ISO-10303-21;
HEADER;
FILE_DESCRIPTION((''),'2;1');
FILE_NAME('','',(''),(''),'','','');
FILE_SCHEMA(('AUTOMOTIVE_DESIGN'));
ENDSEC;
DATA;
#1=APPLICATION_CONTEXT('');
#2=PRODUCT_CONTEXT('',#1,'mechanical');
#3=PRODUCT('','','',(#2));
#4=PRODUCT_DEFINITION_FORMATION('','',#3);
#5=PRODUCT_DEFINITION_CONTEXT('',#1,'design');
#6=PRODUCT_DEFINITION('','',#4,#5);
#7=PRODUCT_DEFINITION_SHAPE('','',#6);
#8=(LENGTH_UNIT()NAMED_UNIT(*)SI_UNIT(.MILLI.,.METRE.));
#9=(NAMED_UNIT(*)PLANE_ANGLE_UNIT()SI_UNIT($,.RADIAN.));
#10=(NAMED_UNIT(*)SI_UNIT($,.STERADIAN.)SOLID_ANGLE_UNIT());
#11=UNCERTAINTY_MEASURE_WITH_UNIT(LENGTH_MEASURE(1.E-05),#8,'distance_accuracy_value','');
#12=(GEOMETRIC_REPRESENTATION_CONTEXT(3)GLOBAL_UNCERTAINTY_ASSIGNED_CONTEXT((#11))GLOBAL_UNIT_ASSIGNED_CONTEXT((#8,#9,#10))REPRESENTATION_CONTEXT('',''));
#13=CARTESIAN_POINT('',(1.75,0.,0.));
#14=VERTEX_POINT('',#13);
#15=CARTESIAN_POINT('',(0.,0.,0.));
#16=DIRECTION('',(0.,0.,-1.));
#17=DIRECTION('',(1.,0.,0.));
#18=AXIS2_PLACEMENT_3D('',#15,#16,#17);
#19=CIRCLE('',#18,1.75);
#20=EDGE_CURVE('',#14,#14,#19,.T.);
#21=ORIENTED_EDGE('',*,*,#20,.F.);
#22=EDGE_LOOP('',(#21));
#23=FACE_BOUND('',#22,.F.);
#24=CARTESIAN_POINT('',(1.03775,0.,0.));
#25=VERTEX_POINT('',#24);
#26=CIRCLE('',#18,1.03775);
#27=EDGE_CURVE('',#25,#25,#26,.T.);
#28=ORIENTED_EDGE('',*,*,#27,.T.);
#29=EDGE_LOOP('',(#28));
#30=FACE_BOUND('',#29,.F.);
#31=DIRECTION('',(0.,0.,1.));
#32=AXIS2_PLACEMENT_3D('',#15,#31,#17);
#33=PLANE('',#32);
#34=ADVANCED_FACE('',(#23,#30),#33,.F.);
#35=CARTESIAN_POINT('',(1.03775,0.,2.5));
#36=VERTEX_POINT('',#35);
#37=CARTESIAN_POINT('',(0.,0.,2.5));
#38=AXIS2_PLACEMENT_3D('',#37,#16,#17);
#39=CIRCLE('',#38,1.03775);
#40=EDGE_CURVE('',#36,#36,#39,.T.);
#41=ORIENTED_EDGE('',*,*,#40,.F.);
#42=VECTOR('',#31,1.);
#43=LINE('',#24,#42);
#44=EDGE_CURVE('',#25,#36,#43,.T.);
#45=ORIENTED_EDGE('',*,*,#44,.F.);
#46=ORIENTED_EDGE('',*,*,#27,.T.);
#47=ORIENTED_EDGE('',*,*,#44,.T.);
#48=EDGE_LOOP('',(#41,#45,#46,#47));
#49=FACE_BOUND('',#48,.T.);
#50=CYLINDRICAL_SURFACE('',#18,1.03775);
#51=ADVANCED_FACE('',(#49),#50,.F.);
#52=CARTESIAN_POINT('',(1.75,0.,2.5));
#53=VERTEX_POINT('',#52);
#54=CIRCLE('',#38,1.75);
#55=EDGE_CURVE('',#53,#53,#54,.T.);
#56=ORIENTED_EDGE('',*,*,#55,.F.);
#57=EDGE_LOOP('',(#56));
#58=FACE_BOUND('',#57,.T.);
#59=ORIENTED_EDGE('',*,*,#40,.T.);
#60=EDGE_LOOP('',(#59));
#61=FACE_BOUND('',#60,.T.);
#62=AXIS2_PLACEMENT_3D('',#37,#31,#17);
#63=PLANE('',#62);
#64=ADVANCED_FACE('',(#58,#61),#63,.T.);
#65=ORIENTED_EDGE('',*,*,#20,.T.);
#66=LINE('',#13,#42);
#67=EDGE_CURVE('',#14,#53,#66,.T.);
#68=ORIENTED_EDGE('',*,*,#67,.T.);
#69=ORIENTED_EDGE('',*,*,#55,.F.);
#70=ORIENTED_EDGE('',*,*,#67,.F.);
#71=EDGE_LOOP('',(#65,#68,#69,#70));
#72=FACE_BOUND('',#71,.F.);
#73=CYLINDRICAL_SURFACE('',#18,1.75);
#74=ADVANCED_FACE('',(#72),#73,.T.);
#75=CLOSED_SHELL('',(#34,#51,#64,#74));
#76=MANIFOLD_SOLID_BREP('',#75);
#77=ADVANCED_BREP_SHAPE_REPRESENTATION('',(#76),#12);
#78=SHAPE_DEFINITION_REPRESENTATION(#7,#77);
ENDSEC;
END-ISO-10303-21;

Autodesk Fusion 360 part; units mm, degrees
sketch "Sketch1" plane through (0, 0, 0) normal (0, 0, 1) x (1, 0, 0)
  circle A0 centre (0, 0) radius 1.75
  circle A1 centre (0, 0) radius 1.25
  dimension "d1" = 3.5
  dimension "d2" = 2.5
extrude "Extrude1" add sketch "Sketch1" along normal blind 2.5
thread "Thread1" "ISO Metric profile 2.5 M2.5x0.45 M2.5x0.45 6H" major diameter 2.58 minor diameter 2.0755 pitch 0.45 angle 60 resizes the face on face at (1.2484, -0.0623, 1.6667)
